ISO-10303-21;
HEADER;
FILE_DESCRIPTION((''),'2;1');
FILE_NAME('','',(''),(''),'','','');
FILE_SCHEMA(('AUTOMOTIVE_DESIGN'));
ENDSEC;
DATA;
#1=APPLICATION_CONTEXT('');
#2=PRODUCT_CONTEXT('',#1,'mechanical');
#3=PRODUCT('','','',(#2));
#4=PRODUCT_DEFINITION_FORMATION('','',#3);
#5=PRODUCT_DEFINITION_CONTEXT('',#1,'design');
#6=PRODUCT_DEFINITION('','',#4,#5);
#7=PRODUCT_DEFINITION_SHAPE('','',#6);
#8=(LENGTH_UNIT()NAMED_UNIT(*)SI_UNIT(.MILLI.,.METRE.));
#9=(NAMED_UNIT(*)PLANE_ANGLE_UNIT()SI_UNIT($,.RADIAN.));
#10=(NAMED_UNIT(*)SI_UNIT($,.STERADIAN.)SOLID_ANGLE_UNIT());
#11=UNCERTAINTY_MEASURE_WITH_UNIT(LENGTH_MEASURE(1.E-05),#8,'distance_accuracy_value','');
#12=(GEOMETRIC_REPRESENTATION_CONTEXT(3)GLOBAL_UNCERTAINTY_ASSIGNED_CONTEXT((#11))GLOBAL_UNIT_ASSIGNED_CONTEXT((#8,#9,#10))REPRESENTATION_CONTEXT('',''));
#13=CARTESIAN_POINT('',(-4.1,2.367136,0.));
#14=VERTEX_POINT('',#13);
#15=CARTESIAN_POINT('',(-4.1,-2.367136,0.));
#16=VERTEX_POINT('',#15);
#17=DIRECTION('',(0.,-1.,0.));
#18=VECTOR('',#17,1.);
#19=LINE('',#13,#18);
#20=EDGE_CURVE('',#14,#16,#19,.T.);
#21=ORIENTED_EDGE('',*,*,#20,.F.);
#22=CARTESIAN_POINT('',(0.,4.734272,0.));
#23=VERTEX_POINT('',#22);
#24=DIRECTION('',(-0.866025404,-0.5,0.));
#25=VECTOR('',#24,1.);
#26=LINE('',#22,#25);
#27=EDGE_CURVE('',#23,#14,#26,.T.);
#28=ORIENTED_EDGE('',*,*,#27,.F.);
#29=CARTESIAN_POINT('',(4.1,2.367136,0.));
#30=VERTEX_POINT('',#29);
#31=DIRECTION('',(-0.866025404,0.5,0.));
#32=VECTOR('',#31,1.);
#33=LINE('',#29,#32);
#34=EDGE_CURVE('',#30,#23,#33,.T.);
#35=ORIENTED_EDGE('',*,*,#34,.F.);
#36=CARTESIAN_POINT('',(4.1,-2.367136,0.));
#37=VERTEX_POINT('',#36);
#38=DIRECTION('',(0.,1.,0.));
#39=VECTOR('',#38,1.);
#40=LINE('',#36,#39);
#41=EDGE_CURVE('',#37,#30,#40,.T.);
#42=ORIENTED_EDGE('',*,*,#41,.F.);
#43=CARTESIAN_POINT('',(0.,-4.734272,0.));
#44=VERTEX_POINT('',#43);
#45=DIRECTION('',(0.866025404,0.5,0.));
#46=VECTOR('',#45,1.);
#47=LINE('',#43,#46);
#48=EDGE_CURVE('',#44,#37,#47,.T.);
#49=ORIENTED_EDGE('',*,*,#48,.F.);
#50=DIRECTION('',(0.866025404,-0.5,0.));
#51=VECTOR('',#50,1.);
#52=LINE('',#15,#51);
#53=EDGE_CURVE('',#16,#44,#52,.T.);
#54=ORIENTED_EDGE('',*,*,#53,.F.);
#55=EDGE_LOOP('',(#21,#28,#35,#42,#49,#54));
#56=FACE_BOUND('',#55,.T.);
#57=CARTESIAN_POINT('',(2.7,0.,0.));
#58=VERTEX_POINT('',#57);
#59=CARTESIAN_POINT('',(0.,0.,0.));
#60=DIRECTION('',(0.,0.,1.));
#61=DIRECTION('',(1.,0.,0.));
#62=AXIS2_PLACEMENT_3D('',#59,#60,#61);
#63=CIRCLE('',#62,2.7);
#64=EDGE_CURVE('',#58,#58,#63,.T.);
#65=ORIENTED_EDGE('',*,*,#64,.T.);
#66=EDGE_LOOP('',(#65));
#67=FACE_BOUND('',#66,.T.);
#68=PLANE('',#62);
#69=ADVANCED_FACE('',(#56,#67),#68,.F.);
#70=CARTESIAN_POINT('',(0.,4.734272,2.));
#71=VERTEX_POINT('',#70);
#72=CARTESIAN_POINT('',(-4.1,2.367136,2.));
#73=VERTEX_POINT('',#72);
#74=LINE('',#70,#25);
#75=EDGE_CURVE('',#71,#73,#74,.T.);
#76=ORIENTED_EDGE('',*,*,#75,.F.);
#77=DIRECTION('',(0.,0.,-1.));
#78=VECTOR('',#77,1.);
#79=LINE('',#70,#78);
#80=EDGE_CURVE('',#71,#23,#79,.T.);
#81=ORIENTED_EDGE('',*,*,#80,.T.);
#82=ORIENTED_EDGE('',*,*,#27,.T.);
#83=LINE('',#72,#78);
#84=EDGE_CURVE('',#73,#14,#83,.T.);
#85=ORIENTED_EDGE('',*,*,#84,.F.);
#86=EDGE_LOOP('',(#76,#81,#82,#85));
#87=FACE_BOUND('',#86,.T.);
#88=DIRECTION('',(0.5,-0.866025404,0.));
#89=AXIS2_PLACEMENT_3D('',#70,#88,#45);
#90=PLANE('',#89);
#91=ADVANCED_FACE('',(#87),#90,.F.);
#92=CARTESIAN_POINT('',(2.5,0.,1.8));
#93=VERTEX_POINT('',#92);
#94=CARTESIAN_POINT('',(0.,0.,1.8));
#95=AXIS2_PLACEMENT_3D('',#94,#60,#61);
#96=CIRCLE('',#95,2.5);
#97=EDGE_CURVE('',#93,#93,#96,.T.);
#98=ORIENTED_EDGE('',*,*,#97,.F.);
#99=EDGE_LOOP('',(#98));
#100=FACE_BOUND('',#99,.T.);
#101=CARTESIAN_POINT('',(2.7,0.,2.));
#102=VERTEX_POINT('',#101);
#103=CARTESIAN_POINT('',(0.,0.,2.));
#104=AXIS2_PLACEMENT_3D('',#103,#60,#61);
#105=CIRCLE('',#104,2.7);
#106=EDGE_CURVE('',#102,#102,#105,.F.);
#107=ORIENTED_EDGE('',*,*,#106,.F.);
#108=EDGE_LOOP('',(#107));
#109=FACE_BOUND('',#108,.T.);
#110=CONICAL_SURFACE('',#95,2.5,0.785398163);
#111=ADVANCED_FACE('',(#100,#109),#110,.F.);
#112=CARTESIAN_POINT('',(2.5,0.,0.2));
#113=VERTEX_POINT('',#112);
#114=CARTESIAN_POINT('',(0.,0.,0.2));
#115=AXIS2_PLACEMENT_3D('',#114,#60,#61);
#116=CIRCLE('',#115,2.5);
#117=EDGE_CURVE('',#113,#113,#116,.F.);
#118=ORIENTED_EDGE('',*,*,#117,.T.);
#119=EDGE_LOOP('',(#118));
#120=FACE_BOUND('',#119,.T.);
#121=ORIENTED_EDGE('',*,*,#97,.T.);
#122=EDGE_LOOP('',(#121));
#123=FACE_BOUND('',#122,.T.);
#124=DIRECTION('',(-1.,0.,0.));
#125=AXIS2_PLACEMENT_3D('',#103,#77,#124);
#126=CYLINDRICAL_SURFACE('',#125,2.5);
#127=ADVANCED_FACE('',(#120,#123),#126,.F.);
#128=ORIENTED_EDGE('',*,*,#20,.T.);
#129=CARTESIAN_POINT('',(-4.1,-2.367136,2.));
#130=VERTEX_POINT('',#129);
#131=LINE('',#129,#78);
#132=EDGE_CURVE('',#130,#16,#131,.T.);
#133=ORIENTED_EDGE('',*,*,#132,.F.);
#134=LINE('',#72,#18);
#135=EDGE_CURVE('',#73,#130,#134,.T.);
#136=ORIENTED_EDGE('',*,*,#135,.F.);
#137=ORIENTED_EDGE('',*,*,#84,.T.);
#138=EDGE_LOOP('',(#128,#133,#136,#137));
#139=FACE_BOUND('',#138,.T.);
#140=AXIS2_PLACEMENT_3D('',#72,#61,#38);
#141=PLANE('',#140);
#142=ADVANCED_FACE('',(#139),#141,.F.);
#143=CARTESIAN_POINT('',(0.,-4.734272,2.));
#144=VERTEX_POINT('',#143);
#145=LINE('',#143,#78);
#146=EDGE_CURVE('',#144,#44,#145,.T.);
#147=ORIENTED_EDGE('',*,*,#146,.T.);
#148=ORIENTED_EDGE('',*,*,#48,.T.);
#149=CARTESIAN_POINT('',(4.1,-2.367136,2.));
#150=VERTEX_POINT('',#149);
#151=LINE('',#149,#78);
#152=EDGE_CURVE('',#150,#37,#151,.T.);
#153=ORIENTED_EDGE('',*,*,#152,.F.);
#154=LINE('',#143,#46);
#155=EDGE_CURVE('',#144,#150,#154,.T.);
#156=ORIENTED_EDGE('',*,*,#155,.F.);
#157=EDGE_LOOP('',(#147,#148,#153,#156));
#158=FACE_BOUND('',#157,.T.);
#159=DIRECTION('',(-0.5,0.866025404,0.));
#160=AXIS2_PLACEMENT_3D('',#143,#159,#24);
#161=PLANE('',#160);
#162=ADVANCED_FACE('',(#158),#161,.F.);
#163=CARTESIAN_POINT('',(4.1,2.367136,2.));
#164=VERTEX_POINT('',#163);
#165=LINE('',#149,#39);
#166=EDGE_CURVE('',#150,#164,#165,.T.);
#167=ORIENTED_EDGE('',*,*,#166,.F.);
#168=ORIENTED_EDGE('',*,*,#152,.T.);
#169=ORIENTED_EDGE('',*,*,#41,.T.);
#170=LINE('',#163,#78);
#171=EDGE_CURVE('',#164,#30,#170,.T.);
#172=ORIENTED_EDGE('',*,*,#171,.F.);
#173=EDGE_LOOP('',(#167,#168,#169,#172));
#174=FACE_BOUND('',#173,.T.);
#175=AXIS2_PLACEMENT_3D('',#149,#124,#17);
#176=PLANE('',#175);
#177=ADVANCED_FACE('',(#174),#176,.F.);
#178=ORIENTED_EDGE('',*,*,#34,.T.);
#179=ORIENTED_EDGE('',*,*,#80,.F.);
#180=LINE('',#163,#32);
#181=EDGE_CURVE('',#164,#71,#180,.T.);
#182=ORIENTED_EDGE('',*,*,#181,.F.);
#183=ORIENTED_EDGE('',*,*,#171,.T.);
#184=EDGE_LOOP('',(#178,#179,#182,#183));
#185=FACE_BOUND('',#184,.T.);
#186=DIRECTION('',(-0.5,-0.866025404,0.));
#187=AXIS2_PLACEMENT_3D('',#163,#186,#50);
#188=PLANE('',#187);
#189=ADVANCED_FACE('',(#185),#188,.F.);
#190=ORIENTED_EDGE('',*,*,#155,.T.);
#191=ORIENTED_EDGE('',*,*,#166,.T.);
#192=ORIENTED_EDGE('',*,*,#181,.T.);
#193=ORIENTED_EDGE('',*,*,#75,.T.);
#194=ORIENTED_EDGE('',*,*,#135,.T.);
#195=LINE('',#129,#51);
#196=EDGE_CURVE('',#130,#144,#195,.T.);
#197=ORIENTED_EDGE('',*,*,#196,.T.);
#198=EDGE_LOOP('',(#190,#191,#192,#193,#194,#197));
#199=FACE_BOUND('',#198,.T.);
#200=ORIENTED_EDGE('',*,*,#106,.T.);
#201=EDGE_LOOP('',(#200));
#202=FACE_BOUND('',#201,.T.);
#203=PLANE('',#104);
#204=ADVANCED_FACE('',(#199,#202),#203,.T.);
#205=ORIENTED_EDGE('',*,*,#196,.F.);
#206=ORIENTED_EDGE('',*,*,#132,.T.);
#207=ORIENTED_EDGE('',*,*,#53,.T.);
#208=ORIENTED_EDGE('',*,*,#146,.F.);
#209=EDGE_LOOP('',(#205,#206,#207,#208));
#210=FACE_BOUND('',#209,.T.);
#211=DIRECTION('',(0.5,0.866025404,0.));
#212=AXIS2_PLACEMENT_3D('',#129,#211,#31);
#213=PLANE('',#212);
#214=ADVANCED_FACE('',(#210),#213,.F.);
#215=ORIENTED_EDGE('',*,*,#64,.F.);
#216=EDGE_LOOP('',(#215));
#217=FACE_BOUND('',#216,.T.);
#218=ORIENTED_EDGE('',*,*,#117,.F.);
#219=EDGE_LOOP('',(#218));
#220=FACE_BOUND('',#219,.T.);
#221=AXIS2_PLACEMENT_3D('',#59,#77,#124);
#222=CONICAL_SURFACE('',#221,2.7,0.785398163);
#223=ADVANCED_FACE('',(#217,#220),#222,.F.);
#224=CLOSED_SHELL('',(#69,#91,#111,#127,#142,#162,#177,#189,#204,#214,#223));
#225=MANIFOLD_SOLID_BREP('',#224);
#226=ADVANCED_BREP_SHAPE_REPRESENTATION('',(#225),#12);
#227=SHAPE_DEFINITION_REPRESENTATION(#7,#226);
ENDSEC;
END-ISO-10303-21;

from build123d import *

# Parameters (mm, degrees)
SKETCH1_R           = 2.5
BOSS_EXTRUDE1_DEPTH = 2
CHAMFER1_SIZE       = 0.2


with BuildPart() as part:
    # Sketch1 → Boss-Extrude1 (new body)
    with BuildSketch(Plane.XY):
        Polygon((0, 4.734272207), (-4.1, 2.367136104), (-4.1, -2.367136104), (0, -4.734272207), (4.1, -2.367136104), (4.1, 2.367136104), align=None)
        Circle(SKETCH1_R, mode=Mode.SUBTRACT)
    extrude(amount=BOSS_EXTRUDE1_DEPTH)

    # Chamfer1
    chamfer1_edges = [part.edges().sort_by_distance(p)[0] for p in [
        (-2.5, 0, 0),
        (-2.5, 0, 2),
    ]]
    chamfer(chamfer1_edges, length=CHAMFER1_SIZE)


solid = part.part
